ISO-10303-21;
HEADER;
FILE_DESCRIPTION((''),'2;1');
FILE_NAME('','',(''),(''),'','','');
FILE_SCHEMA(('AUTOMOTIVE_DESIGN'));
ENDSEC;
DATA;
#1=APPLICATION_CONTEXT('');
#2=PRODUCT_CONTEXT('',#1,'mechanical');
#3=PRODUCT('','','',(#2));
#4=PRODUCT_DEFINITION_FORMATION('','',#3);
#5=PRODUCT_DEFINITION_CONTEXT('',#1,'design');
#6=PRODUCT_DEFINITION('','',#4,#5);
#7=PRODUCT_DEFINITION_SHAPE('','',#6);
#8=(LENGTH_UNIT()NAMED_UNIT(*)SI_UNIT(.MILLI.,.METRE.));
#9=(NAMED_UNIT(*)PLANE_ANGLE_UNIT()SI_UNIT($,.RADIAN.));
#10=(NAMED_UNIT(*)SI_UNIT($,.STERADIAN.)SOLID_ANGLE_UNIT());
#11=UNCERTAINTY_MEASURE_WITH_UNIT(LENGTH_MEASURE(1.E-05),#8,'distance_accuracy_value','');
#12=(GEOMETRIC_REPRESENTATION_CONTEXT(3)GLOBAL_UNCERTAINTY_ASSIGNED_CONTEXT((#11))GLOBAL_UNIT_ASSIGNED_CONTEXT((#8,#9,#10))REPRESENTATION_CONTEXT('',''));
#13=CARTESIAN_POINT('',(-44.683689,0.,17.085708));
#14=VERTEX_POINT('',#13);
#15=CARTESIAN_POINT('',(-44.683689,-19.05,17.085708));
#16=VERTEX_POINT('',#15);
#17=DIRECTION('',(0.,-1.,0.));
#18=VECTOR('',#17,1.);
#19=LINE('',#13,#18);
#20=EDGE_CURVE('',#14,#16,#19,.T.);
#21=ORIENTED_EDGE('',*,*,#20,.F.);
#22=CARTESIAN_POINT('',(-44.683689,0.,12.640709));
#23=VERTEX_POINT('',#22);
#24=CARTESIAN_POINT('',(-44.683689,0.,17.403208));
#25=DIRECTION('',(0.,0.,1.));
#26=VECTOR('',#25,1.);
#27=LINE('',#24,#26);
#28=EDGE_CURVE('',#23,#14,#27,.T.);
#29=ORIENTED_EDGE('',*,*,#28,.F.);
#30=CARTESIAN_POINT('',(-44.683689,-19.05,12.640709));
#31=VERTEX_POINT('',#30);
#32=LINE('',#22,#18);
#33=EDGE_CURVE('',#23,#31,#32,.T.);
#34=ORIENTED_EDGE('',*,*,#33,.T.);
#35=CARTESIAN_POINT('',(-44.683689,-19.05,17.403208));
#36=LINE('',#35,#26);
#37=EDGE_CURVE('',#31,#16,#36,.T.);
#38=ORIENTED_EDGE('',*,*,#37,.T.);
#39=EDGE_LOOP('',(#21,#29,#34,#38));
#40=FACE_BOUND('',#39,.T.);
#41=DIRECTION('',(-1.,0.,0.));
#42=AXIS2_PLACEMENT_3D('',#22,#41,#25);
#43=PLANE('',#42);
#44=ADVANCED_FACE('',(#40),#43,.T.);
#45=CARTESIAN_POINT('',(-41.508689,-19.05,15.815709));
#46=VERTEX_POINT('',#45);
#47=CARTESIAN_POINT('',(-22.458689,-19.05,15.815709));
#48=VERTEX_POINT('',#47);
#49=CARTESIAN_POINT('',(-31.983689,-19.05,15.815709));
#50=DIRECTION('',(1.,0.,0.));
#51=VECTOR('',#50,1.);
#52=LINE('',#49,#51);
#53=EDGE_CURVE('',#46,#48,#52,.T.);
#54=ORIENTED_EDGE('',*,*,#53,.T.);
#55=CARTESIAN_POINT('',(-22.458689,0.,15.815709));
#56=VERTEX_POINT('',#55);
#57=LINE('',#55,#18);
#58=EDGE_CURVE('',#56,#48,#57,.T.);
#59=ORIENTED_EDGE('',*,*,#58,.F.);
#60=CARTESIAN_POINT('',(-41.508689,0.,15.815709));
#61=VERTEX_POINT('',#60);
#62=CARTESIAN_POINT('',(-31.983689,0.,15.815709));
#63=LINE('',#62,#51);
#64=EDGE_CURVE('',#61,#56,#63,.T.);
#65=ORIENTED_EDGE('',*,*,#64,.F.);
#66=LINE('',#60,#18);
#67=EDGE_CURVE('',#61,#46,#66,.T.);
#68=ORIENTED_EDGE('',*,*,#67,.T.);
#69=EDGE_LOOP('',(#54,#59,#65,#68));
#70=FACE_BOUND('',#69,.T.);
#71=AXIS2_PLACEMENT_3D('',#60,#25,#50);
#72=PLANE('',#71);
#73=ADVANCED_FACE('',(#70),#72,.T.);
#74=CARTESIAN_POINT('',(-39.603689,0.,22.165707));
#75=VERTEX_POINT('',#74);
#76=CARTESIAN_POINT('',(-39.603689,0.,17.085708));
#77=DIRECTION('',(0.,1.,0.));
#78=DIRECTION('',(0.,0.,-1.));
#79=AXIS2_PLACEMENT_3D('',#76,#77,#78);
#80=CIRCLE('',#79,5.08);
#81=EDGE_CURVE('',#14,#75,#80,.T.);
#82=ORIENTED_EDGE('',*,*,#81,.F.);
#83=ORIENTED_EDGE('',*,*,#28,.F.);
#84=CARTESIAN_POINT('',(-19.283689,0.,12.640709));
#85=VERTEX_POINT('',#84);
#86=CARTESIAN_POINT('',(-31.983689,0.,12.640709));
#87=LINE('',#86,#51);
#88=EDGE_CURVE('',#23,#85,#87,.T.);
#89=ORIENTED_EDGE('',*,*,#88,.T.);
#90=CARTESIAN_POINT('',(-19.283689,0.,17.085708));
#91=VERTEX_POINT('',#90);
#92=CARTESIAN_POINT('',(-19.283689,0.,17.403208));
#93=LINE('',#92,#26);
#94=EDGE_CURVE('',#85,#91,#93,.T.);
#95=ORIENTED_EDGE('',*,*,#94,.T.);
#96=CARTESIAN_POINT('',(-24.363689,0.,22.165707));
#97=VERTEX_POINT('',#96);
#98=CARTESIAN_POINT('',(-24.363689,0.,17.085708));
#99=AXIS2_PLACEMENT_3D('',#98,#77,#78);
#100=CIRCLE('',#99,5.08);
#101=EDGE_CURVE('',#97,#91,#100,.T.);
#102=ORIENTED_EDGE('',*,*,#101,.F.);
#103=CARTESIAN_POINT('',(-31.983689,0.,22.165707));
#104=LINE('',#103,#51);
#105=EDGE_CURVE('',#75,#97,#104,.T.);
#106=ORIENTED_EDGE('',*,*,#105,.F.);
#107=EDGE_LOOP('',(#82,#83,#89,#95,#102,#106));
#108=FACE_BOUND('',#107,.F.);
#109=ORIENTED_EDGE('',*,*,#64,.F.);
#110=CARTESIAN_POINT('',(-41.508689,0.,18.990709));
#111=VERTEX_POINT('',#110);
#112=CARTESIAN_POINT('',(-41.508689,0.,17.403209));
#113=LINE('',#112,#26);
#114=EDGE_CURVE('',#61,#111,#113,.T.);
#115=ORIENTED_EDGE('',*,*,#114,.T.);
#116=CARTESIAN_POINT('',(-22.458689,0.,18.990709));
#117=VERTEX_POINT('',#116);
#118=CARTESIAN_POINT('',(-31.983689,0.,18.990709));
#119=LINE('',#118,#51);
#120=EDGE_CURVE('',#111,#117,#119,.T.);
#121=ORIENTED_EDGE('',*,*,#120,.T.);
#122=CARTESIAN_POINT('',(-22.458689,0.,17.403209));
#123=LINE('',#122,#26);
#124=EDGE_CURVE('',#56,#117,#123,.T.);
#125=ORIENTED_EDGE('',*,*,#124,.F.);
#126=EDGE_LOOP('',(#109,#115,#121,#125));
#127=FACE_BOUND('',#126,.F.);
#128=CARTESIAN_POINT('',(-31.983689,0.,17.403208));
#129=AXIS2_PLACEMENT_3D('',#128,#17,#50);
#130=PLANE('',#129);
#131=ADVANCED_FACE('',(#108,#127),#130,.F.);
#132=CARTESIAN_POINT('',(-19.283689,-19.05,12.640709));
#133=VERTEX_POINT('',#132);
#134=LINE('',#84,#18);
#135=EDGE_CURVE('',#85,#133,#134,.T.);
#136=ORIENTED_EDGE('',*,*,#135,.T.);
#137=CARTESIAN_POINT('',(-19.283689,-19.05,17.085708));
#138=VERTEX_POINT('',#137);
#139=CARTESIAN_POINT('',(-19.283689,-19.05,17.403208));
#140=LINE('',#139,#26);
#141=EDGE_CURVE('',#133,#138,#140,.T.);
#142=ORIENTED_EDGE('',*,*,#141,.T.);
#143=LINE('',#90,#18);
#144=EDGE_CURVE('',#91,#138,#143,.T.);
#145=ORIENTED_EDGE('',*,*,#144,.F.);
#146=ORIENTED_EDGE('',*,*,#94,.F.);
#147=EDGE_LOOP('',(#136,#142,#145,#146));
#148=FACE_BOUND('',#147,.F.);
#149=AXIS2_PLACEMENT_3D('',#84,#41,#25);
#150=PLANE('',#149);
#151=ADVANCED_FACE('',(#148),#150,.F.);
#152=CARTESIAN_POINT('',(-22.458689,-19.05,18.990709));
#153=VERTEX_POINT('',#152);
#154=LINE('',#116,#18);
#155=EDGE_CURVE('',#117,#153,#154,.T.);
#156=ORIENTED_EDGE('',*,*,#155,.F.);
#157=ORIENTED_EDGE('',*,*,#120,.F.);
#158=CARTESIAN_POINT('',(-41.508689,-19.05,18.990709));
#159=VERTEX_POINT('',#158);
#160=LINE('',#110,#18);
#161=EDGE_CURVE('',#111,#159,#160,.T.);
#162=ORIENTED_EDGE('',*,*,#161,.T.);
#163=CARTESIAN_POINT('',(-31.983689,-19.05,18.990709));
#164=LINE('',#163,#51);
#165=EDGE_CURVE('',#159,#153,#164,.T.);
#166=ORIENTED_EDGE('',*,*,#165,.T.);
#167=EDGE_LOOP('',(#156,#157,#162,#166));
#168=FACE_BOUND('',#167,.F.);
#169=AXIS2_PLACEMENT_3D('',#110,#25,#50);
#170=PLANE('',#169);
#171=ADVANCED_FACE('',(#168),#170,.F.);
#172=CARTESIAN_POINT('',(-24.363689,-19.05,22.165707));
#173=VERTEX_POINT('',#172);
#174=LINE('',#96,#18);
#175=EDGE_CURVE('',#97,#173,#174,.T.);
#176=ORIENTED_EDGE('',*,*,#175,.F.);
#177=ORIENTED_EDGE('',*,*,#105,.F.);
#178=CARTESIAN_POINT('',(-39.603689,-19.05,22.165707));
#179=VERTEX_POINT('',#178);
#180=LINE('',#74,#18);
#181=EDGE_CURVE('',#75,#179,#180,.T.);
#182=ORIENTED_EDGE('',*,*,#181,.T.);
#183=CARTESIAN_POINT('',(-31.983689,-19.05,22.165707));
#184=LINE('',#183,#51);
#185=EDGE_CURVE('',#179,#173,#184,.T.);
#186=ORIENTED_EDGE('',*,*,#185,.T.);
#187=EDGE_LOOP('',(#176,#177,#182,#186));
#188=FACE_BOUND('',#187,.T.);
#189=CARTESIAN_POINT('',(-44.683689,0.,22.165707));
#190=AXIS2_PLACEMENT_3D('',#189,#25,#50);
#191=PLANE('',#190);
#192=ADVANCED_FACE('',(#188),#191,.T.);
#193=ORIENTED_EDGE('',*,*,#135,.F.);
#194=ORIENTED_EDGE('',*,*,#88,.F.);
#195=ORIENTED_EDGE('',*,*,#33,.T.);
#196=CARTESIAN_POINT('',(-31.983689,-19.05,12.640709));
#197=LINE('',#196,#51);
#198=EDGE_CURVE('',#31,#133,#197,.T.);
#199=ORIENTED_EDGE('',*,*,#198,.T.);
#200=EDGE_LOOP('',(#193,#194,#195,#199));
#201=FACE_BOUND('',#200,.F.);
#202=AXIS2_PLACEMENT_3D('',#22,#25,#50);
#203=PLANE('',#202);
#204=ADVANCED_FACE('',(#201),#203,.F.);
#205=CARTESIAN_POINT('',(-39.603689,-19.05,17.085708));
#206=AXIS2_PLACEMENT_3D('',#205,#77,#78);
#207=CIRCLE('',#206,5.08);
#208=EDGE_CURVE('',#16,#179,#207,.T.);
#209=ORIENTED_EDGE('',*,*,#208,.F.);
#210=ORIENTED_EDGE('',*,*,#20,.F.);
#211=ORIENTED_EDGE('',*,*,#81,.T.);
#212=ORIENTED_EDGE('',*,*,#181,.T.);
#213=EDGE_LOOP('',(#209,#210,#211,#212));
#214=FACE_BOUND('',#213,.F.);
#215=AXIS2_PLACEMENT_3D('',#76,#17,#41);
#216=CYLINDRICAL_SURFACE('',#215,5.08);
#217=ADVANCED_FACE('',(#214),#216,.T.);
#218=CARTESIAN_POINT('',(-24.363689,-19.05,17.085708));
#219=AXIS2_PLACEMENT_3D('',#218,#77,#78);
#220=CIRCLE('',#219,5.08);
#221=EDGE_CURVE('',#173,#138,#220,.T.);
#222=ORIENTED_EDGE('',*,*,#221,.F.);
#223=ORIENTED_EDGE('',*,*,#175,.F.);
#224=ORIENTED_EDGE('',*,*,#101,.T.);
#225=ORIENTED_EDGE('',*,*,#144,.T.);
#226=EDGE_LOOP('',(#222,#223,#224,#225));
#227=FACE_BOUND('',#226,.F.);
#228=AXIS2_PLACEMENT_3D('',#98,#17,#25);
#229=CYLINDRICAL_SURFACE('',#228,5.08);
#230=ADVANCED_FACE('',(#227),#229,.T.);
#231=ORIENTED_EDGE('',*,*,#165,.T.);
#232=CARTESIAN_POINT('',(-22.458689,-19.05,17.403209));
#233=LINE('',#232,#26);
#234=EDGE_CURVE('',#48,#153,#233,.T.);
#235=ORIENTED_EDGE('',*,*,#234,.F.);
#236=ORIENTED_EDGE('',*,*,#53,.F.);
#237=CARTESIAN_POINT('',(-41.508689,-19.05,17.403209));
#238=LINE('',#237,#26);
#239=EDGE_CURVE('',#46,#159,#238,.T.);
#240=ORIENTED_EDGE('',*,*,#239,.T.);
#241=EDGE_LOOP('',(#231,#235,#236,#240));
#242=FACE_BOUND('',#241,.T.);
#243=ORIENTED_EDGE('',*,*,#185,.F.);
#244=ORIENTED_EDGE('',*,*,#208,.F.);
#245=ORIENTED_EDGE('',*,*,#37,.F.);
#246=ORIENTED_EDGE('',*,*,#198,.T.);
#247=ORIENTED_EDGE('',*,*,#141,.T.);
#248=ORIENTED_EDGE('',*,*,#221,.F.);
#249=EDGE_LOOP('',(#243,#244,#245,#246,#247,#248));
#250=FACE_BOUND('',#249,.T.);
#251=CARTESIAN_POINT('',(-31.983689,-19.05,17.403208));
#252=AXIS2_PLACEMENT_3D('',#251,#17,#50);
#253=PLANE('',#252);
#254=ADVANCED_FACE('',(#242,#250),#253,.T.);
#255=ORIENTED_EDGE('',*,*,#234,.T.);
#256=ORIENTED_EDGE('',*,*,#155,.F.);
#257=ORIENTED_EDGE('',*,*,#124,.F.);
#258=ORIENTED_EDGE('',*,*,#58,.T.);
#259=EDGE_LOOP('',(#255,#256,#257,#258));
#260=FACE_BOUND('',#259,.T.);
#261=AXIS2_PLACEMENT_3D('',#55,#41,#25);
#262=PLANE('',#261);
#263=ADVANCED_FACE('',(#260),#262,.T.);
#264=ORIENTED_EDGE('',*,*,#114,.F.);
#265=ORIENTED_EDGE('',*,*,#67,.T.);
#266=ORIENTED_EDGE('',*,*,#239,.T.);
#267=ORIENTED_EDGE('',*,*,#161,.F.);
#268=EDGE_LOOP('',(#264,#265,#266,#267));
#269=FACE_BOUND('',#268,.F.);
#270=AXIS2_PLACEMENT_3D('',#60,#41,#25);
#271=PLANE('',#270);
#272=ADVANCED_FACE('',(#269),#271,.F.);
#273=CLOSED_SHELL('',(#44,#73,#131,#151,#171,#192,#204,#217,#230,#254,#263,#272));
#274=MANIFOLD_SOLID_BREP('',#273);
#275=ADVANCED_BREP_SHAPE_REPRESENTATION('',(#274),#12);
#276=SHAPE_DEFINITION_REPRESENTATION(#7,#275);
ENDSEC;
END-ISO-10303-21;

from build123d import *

# Parameters (mm, degrees)
F0_W     = 25.4
F0_H     = 9.524999
F0_W_2   = 19.05
F0_H_2   = 3.175
F1_DEPTH = 19.05
F2_R     = 5.08


with BuildPart() as f1:
    # F0 (on Front) → F1 (new body)
    with BuildSketch(Plane.XZ):
        with Locations((-31.983689, 17.403208)):
            Rectangle(F0_W, F0_H)
        with Locations((-31.983689, 17.403209)):
            Rectangle(F0_W_2, F0_H_2, mode=Mode.SUBTRACT)
    extrude(amount=F1_DEPTH)

    # F2
    f2_edges = [f1.edges().sort_by_distance(p)[0] for p in [
        (-44.683689, -9.525, 22.165708),
        (-19.283689, -9.525, 22.165708),
    ]]
    fillet(f2_edges, radius=F2_R)


solid = f1.part
